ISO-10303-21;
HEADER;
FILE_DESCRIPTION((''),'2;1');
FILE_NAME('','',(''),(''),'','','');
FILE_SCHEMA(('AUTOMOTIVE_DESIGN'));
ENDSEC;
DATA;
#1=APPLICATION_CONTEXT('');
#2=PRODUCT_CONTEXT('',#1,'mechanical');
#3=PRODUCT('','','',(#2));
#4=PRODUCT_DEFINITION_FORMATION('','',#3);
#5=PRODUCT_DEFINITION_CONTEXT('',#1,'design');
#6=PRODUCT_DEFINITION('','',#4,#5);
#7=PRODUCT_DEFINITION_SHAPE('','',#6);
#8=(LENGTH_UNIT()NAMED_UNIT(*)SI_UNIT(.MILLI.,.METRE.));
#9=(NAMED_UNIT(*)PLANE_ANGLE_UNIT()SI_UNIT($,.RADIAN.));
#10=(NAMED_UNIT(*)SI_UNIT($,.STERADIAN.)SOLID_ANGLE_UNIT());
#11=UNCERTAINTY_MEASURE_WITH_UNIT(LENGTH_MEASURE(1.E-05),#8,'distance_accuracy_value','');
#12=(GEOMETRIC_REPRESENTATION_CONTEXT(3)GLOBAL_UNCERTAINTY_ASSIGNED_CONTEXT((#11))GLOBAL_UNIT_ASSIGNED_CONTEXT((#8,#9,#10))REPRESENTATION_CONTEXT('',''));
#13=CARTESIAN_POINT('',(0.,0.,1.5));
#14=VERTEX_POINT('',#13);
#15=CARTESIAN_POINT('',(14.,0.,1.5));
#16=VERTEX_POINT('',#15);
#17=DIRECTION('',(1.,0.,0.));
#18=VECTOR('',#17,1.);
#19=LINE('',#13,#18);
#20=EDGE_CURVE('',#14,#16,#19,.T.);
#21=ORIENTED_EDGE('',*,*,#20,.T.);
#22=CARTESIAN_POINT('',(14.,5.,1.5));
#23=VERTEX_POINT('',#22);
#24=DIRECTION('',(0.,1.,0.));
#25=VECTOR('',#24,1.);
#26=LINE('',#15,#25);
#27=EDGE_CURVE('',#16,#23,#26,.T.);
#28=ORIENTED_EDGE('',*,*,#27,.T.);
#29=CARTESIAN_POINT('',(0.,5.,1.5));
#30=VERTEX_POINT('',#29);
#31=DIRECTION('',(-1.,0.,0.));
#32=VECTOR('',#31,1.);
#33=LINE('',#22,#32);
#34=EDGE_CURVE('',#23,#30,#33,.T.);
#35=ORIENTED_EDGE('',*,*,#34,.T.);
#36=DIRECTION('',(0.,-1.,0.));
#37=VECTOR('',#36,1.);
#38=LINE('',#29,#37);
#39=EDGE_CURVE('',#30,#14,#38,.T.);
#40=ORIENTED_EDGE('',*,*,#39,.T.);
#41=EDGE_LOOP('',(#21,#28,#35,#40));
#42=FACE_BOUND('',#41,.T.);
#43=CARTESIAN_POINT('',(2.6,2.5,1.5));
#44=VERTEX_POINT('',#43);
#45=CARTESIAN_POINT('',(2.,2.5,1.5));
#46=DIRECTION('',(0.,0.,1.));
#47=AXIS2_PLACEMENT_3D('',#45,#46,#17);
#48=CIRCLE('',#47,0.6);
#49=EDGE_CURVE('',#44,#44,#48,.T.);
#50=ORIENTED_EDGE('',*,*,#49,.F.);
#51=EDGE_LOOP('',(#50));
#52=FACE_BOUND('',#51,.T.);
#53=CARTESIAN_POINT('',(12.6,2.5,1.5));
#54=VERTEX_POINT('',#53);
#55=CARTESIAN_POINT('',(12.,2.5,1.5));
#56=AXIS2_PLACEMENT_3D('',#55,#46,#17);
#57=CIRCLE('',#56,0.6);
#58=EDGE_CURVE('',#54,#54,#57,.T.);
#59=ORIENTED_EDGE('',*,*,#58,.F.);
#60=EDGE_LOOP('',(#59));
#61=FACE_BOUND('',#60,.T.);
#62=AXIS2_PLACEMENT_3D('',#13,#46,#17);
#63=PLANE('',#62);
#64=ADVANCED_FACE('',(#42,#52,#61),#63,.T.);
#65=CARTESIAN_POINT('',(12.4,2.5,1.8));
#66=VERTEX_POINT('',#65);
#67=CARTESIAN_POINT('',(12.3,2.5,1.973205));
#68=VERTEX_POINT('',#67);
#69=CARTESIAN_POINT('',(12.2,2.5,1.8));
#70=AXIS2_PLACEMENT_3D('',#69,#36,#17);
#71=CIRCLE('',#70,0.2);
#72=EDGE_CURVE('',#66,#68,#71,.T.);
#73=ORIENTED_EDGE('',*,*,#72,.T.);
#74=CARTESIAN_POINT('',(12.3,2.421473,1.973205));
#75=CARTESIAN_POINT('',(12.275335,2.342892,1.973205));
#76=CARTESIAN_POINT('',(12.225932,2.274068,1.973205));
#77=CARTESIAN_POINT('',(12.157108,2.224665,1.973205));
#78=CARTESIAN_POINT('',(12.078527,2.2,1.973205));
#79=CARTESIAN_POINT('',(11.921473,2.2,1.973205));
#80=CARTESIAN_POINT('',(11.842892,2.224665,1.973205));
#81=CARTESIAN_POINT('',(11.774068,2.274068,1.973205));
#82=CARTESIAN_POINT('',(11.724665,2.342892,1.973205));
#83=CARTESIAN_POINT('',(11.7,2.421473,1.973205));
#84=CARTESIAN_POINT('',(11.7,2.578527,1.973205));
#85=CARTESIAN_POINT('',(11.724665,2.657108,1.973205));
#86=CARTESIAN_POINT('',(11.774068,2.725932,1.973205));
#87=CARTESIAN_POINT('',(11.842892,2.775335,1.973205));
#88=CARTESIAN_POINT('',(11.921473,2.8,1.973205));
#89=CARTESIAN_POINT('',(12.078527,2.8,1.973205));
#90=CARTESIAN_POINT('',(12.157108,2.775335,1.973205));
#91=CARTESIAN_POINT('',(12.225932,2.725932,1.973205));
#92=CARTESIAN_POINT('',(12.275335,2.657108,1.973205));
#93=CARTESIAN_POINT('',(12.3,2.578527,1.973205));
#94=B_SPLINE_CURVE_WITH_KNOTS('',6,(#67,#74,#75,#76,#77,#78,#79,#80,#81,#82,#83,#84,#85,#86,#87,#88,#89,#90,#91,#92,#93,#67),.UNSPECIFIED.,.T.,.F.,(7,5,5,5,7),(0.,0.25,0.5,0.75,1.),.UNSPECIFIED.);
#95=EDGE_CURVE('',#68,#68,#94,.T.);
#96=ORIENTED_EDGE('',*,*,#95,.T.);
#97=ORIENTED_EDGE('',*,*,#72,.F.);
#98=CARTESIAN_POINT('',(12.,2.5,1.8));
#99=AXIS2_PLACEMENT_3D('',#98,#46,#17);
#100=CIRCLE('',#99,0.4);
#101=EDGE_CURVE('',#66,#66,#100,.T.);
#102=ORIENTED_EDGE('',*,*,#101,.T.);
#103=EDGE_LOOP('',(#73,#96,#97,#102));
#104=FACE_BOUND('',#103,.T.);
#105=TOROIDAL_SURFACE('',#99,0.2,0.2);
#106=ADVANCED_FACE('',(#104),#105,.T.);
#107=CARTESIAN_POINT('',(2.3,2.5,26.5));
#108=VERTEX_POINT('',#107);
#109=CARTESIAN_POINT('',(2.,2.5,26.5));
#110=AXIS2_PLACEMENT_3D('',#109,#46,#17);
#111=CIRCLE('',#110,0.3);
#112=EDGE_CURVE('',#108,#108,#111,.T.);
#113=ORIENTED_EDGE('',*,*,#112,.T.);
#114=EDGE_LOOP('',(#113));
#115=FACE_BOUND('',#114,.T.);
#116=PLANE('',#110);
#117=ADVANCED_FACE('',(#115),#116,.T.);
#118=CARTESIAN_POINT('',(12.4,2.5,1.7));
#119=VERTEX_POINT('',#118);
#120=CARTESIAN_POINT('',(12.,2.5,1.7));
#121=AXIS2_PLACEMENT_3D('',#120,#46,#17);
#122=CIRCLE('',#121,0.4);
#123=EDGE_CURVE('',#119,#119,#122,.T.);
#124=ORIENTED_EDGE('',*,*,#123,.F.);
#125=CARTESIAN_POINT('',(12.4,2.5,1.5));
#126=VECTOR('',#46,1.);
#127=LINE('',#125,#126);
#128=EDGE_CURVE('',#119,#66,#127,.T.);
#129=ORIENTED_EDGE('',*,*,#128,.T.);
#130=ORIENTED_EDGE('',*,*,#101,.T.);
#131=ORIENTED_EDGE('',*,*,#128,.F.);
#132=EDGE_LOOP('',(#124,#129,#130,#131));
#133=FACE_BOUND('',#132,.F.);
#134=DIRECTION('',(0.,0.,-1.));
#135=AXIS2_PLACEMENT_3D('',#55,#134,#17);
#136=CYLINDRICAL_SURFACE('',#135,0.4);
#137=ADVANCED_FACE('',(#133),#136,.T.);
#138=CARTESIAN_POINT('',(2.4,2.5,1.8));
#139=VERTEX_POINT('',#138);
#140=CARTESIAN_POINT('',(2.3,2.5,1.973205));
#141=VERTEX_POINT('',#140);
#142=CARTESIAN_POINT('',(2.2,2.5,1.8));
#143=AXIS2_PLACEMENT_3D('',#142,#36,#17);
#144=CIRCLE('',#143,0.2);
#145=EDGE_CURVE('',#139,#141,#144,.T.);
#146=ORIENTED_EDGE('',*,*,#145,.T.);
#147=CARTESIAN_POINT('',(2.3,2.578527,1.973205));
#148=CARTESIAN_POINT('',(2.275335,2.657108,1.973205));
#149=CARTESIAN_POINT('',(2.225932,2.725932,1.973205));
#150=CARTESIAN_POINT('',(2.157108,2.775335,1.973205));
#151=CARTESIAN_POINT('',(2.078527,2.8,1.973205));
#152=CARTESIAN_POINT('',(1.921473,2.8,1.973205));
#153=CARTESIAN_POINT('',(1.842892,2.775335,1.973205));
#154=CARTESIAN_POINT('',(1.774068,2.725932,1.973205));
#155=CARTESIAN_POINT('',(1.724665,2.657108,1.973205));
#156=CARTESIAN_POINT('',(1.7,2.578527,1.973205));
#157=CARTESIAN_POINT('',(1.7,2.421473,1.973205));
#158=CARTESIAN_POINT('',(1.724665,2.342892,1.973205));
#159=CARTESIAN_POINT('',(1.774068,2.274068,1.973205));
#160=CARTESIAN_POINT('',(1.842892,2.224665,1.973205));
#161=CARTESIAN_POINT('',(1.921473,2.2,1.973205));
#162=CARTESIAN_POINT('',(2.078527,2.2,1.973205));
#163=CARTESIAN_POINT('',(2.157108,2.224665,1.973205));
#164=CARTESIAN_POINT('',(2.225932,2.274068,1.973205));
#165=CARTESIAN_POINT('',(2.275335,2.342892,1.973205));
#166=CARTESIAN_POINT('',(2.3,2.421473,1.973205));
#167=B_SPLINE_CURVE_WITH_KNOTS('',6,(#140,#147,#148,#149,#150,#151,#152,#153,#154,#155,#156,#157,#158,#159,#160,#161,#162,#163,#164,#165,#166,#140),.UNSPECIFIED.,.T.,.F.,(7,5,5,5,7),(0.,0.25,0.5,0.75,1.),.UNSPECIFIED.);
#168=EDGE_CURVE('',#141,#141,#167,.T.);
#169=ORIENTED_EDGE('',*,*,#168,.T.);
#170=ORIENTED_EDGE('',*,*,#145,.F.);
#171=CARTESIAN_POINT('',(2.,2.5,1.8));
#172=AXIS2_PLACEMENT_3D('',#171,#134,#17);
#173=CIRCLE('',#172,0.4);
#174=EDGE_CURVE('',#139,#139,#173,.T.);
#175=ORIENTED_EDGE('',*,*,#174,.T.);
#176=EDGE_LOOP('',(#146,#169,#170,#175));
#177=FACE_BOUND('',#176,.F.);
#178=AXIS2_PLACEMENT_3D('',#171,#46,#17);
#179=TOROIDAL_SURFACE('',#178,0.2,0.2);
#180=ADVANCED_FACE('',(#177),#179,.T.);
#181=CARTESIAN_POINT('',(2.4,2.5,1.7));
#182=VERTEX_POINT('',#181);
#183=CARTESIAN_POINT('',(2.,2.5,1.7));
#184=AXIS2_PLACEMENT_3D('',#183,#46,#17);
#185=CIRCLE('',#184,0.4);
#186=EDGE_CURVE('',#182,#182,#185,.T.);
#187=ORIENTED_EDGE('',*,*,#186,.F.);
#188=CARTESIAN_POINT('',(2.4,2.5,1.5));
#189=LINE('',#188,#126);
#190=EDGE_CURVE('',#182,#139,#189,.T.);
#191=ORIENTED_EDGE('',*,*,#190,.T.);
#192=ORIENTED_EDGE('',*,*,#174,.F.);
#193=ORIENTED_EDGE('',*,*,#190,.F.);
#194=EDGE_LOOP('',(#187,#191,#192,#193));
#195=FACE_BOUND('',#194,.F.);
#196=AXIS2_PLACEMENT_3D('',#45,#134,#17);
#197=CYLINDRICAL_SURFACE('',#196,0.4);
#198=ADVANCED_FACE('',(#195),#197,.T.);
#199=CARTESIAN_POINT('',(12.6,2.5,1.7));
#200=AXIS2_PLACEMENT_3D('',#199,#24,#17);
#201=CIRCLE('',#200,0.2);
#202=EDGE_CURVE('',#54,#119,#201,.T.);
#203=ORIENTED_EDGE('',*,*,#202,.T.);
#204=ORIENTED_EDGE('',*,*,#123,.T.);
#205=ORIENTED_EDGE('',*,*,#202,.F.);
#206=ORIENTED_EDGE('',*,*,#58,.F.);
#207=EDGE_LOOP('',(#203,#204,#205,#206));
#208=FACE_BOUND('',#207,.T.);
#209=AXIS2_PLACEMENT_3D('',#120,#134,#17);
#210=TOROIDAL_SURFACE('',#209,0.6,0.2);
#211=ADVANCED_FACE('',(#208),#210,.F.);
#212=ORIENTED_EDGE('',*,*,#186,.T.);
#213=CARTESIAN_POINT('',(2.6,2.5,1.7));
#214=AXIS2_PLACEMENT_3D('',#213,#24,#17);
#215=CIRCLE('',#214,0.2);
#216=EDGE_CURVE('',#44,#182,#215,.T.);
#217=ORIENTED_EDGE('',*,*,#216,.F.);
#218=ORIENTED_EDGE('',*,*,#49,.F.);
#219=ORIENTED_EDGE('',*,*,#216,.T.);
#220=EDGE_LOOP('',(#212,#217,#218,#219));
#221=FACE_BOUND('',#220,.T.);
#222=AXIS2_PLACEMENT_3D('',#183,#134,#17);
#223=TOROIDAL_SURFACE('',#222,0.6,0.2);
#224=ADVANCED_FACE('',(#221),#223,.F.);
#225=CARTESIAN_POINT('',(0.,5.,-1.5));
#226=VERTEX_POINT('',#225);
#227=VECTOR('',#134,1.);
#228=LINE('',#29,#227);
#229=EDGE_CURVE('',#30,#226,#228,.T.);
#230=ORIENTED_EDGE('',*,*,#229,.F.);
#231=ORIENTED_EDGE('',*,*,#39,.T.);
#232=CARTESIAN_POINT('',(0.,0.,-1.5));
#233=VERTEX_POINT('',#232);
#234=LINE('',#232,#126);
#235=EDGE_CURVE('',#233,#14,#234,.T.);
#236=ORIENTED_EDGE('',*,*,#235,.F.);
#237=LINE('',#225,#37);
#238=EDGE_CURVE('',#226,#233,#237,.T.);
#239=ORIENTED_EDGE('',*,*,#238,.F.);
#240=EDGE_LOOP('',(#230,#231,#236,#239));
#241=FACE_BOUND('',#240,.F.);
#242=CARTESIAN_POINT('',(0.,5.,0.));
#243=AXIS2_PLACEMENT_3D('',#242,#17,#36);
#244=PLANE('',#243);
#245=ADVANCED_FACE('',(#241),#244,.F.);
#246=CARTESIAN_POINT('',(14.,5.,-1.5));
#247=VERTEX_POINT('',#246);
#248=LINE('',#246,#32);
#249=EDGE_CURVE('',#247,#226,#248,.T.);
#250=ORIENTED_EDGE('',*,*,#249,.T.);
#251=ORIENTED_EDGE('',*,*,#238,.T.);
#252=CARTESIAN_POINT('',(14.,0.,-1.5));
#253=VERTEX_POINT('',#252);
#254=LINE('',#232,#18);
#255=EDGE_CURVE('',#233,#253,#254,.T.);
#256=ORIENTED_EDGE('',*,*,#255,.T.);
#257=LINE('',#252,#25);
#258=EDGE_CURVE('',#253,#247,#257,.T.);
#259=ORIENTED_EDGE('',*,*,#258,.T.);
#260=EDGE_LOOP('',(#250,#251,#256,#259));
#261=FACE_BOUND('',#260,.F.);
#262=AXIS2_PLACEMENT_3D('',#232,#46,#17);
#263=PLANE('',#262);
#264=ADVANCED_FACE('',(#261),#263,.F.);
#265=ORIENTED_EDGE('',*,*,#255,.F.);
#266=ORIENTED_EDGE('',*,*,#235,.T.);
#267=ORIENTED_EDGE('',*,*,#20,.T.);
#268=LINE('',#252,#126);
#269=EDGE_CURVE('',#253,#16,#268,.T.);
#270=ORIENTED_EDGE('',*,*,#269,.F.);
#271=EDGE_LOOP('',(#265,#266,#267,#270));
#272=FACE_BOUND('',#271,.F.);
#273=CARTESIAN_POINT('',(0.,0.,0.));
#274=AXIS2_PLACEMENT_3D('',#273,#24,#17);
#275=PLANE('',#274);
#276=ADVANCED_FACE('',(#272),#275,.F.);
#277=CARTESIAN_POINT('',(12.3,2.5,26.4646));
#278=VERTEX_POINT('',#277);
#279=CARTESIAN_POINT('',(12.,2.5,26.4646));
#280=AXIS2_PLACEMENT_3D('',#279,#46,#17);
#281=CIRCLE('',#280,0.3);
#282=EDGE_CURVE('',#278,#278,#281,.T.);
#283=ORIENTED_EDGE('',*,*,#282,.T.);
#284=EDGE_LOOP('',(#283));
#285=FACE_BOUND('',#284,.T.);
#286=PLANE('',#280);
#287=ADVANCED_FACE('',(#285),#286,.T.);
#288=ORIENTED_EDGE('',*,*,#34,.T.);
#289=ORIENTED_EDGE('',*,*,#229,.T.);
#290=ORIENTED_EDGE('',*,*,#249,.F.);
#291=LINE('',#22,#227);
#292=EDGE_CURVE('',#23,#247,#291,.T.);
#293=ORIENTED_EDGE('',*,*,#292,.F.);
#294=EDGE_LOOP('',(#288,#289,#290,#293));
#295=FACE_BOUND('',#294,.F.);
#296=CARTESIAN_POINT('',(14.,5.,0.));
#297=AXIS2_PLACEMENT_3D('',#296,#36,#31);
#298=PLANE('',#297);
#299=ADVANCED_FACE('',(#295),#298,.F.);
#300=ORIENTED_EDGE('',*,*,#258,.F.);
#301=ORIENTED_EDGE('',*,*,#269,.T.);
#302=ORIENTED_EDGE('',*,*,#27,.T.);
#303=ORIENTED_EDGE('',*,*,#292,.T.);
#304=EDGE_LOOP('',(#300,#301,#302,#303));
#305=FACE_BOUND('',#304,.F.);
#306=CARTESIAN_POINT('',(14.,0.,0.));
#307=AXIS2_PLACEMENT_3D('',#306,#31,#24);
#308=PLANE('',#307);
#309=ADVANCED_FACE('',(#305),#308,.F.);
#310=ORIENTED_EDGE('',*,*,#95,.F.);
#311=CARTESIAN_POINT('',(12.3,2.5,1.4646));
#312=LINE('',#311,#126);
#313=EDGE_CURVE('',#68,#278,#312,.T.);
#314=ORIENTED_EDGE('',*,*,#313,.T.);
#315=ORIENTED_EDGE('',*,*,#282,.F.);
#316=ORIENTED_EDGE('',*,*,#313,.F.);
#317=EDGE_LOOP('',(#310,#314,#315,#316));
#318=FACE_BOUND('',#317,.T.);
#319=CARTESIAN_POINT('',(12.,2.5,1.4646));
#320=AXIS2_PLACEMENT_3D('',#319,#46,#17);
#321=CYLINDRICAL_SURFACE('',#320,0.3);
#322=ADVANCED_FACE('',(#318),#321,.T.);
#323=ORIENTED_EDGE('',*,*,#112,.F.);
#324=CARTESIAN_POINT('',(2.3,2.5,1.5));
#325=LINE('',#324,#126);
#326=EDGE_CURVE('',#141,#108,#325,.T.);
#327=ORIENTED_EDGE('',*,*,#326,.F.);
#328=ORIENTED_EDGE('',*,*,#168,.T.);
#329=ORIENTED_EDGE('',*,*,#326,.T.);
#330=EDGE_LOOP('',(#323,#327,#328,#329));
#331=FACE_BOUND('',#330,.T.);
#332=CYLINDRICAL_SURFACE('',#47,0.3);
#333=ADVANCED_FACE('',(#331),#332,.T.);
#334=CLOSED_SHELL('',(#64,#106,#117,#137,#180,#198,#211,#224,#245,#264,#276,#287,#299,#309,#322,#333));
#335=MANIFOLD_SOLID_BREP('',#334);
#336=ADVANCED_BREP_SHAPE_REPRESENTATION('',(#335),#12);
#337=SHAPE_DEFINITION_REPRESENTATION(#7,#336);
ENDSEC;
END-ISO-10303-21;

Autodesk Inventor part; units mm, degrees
ref_plane "YZ Plane" through (0, 0, 0) normal (1, 0, 0) x (0, 1, 0)
ref_plane "XZ Plane" through (0, 0, 0) normal (0, 1, 0) x (-1, 0, 0)
ref_plane "XY Plane" through (0, 0, 0) normal (0, 0, 1) x (1, 0, 0)
sketch "Sketch1" plane through (0, 0, 0) normal (0, 0, 1) x (1, 0, 0)
  line L0 (0, 0) -> (14, 0)
  line L1 (14, 0) -> (14, 5)
  line L2 (14, 5) -> (0, 5)
  line L3 (0, 5) -> (0, 0)
  dimension "d39" = 14
  dimension "d40" = 5
extrude "Extrusion1" add sketch "Sketch1" along normal mid plane 3
ref_plane "Work Plane5" through (0, 0, 1.5) normal (0, 0, 1) x (1, 0, 0)
sketch "Sketch9" plane through (0, 0, 1.5) normal (0, 0, 1) x (1, 0, 0)
  line L0 (0, 5) -> (0, 0) projected
  line L1 (0, 2.5) -> (2, 2.5)
  line L2 (14, 0) -> (14, 5) projected
  line L3 (14, 2.5) -> (12, 2.5)
  circle A0 centre (12, 2.5) radius 0.4
  circle A1 centre (2, 2.5) radius 0.4
  dimension "d43" = 2
  dimension "d44" = 2
  dimension "d45" = 0.8
  dimension "d46" = 0.8
extrude "Extrusion5" add sketch "Sketch9" along normal blind 0.5
fillet "Fillet5" radius 0.2 4 edges at (11.6, 2.5, 1.5) (11.6, 2.5, 2) (1.6, 2.5, 1.5) (1.6, 2.5, 2)
sketch "Sketch10" plane through (14, 0, 1.5) normal (1, 0, 0) x (0, 0, -1)
  line L0 (3, 5) -> (3, 0) projected
  line L1 (3, 2.5) -> (0, 2.5)
  line L2 (0, 0) -> (0, 5) projected
  point P0 (1.5, 0)
sketch "Sketch11" plane through (0, 0, 1.5) normal (0, 0, 1) x (1, 0, 0)
  line L0 (14, 0) -> (14, 5) projected
  circle A0 centre (12, 2.5) radius 0.2 projected
  line L1 (7.4995, 2.5) -> (3.1588, 2.5)
  point P0 (0, 0)
sketch "Sketch12" plane through (0, 0, 1.5) normal (-1, 0, 0) x (0, 0, 1)
  line L0 (-3, 5) -> (-3, 0) projected
  line L1 (-3, 2.5) -> (0, 2.5)
  line L2 (0, 1.9) -> (0, 3.1) projected
  point P0 (-1.5, 0)
sketch "Sketch13" plane through (0, 0, 1.5) normal (0, 0, 1) x (1, 0, 0)
  line L0 (0, 5) -> (0, 0) projected
  point P0 (0, 2.5)
ref_plane "Work Plane7" through (2, 2.5, 2) normal (0, 0, 1) x (1, 0, 0)
ref_plane "Work Plane8" through (12, 2.5, 2) normal (0, 0, 1) x (1, 0, 0)
sketch "Sketch15" plane through (2, 2.5, 2) normal (0, 0, 1) x (1, 0, 0)
  circle A0 centre (0, 0) radius 0.2 projected
  circle A1 centre (0, 0) radius 0.3
  point P0 (-2, -2.5)
  dimension "d57" = 0.6
sketch "Sketch17" plane through (12, 2.5, 2) normal (0, 0, 1) x (1, 0, 0)
  circle A0 centre (0, 0) radius 0.3
  point P0 (-12, -2.5)
  dimension "d63" = 0.6
ref_plane "Work Plane9" through (0, 2.5, -1.5) normal (0, -1, 0) x (0, 0, 1)
sketch "Sketch18" plane through (0, 2.5, -1.5) normal (0, -1, 0) x (0, 0, 1)
  line L0 (3, -2) -> (28, -2)
  line L1 (2.9646, -12) -> (27.9646, -12)
  point P0 (1.5, 0)
  point P1 (3, 0)
  dimension "d66" = 2
  dimension "d67" = 25
  dimension "d69" = 25
sweep "Sweep6" add profiles "Sketch15" path "Sketch18" path curves L0 contours A0 | A1
sweep "Sweep7" add profiles "Sketch17" path "Sketch18" path curves L1
equation "\"BendRadius\" = Thickness"
equation "\"BendReliefWidth\" = Thickness"
equation "\"BendReliefDepth\" = 0.5 * Thickness"
equation "\"CornerReliefSize\" = 4 * Thickness"
equation "\"MinimumRemnant\" = 2 * Thickness"
equation "\"TransitionRadius\" = BendRadius"
equation "\"JacobiRadiusSize\" = BendRadius"
equation "\"GapSize\" = Thickness"
equation "\"Thickness\" = 3.048"
properties part number "A54"
